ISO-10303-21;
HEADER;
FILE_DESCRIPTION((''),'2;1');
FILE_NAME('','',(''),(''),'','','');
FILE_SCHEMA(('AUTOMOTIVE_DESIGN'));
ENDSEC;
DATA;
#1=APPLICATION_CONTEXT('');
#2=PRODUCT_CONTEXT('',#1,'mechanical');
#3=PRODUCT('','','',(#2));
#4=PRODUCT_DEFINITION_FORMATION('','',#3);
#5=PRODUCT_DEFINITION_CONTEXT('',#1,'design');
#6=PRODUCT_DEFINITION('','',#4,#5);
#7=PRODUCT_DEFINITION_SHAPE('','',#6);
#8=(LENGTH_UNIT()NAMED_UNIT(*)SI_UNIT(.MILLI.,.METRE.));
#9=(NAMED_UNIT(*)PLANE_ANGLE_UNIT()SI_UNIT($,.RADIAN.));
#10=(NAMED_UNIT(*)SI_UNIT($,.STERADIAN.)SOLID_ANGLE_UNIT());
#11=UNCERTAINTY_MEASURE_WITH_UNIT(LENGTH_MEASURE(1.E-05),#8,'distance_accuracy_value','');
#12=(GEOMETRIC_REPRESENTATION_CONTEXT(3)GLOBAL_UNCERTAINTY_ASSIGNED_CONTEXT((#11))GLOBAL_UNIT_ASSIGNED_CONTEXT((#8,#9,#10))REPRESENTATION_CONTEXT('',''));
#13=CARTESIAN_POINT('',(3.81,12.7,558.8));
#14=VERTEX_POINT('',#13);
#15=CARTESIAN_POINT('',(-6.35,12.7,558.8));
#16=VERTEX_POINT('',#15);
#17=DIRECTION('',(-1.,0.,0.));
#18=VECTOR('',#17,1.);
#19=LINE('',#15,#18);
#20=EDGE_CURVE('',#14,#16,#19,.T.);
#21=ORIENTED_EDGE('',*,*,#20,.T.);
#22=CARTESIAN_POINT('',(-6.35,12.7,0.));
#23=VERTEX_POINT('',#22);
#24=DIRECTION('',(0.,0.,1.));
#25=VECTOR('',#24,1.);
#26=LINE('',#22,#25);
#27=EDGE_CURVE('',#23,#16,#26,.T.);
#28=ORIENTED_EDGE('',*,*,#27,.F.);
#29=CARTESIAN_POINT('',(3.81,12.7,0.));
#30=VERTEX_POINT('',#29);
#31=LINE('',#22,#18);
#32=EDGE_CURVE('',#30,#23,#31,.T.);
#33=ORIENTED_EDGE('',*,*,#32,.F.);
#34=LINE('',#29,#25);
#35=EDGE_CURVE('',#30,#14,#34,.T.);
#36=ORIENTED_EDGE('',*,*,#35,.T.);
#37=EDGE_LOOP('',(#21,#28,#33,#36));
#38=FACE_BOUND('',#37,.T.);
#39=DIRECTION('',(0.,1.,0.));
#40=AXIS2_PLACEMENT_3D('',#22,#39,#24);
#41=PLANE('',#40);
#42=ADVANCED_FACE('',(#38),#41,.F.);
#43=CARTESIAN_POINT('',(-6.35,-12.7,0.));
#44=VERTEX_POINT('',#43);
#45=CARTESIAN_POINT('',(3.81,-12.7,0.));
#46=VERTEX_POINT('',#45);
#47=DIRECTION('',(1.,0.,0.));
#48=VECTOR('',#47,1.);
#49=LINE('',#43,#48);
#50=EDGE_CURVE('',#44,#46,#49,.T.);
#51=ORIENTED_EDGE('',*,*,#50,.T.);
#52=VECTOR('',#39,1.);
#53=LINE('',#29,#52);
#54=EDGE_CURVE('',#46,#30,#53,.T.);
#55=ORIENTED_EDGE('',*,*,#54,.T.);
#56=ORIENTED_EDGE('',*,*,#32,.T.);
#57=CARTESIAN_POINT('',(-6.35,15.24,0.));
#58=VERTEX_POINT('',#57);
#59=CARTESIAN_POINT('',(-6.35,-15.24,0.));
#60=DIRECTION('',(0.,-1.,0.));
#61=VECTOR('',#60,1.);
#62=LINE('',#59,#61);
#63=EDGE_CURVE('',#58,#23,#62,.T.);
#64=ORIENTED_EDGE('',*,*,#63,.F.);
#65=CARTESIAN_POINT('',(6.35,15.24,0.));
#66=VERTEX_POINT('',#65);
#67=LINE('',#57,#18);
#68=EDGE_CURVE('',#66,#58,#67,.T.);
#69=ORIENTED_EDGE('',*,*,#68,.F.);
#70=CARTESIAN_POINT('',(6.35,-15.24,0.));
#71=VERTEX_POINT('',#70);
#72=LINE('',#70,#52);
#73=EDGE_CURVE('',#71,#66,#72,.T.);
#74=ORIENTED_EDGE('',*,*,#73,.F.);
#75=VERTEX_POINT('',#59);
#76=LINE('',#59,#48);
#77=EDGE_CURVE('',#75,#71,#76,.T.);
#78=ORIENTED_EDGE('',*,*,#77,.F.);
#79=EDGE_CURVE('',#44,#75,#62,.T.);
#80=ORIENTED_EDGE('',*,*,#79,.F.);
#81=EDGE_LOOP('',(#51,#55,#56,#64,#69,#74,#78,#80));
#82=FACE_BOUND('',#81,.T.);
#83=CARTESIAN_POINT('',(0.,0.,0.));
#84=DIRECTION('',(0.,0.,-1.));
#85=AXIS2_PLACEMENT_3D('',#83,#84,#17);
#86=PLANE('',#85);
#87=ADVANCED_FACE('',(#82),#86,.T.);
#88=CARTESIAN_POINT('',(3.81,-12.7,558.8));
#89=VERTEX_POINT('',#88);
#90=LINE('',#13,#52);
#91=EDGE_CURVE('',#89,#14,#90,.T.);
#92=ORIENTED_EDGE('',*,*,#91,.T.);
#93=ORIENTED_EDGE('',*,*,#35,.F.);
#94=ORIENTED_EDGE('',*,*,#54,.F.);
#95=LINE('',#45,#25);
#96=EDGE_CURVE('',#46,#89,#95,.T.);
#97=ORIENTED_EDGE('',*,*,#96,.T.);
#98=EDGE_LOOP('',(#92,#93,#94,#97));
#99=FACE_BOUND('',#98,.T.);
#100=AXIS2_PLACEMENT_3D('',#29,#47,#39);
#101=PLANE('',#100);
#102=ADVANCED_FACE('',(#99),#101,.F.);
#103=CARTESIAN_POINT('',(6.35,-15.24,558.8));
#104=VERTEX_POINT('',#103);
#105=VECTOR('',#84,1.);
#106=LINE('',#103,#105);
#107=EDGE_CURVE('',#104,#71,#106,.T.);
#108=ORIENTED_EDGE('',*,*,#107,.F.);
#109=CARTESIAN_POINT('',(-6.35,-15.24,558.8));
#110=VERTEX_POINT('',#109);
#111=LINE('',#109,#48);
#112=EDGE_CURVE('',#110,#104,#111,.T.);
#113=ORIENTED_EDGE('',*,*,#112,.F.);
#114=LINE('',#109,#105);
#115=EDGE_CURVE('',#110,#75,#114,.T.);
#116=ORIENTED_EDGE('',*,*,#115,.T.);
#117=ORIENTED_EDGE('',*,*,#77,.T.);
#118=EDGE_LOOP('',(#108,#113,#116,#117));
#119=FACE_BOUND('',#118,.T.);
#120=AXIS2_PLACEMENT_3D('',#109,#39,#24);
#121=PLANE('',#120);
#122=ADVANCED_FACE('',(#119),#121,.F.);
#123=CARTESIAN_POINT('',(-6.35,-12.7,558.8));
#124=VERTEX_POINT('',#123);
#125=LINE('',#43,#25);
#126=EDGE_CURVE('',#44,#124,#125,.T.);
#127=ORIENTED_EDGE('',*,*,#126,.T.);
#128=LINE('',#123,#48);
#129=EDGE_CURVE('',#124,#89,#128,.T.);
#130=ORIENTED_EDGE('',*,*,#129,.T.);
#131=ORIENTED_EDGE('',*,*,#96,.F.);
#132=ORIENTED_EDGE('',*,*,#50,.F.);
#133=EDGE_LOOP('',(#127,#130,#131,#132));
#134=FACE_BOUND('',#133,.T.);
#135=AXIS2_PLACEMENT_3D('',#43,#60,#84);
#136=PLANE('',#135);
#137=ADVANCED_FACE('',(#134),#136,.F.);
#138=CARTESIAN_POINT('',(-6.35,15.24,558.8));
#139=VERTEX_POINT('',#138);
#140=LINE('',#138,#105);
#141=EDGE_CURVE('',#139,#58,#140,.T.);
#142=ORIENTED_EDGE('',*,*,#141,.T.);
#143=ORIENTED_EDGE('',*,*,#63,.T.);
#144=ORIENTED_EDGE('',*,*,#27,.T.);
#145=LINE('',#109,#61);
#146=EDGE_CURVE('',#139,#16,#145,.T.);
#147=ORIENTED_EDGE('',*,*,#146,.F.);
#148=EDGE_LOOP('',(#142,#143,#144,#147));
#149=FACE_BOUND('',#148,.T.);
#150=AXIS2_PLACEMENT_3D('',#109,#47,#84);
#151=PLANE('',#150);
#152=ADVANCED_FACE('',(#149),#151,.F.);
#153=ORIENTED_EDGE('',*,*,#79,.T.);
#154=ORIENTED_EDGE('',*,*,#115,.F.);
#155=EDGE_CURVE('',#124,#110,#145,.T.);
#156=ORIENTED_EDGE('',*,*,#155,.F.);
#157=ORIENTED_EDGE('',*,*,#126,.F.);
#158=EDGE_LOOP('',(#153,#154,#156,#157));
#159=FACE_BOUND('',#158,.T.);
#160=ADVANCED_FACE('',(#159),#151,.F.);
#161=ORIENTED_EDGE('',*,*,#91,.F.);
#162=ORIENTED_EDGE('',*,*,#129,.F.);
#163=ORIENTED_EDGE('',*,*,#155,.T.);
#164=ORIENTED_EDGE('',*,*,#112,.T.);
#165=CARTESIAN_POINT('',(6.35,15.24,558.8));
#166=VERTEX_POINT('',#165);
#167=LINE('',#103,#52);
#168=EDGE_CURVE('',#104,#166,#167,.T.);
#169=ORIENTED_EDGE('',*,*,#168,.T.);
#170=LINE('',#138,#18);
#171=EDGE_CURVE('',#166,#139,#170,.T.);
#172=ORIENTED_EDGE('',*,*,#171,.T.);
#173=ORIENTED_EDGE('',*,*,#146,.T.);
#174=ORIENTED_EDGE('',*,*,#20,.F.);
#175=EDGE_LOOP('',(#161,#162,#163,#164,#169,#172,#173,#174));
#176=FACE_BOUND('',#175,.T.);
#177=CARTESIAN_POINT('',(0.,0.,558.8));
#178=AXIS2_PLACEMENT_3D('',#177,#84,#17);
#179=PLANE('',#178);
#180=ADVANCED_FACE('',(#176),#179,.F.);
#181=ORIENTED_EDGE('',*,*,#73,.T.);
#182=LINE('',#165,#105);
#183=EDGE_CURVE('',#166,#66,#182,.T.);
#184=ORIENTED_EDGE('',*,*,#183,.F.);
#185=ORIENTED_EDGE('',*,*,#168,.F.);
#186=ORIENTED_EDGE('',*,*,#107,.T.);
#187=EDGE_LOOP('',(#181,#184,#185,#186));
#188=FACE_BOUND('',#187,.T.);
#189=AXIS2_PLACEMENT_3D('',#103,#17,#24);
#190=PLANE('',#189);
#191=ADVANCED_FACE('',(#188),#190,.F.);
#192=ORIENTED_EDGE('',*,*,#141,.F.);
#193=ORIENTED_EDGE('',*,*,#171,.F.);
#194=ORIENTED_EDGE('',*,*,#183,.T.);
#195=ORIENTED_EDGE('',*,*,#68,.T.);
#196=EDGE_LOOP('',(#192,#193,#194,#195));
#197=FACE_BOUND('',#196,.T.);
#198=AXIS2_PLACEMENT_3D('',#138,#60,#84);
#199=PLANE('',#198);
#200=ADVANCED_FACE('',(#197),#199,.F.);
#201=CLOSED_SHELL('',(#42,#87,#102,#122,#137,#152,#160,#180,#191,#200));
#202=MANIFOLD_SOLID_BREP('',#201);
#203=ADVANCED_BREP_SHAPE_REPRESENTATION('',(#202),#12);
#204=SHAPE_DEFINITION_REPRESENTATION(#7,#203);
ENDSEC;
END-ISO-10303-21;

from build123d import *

# Parameters (mm, degrees)
SKETCH1_W           = 12.7
SKETCH1_H           = 30.48
BOSS_EXTRUDE1_DEPTH = 558.8
SKETCH2_W           = 10.16
SKETCH2_H           = 25.4
CUT_EXTRUDE1_DEPTH  = 560.043844524


with BuildPart() as part:
    # Sketch1 → Boss-Extrude1 (new body)
    with BuildSketch(Plane.XY):
        Rectangle(SKETCH1_W, SKETCH1_H)
    extrude(amount=BOSS_EXTRUDE1_DEPTH)

    # Sketch2 → Cut-Extrude1 (cut, through all)
    with BuildSketch(Plane.XY.offset(558.8)):
        with Locations((-1.27, 0)):
            Rectangle(SKETCH2_W, SKETCH2_H)
    extrude(amount=-CUT_EXTRUDE1_DEPTH, mode=Mode.SUBTRACT)


solid = part.part
